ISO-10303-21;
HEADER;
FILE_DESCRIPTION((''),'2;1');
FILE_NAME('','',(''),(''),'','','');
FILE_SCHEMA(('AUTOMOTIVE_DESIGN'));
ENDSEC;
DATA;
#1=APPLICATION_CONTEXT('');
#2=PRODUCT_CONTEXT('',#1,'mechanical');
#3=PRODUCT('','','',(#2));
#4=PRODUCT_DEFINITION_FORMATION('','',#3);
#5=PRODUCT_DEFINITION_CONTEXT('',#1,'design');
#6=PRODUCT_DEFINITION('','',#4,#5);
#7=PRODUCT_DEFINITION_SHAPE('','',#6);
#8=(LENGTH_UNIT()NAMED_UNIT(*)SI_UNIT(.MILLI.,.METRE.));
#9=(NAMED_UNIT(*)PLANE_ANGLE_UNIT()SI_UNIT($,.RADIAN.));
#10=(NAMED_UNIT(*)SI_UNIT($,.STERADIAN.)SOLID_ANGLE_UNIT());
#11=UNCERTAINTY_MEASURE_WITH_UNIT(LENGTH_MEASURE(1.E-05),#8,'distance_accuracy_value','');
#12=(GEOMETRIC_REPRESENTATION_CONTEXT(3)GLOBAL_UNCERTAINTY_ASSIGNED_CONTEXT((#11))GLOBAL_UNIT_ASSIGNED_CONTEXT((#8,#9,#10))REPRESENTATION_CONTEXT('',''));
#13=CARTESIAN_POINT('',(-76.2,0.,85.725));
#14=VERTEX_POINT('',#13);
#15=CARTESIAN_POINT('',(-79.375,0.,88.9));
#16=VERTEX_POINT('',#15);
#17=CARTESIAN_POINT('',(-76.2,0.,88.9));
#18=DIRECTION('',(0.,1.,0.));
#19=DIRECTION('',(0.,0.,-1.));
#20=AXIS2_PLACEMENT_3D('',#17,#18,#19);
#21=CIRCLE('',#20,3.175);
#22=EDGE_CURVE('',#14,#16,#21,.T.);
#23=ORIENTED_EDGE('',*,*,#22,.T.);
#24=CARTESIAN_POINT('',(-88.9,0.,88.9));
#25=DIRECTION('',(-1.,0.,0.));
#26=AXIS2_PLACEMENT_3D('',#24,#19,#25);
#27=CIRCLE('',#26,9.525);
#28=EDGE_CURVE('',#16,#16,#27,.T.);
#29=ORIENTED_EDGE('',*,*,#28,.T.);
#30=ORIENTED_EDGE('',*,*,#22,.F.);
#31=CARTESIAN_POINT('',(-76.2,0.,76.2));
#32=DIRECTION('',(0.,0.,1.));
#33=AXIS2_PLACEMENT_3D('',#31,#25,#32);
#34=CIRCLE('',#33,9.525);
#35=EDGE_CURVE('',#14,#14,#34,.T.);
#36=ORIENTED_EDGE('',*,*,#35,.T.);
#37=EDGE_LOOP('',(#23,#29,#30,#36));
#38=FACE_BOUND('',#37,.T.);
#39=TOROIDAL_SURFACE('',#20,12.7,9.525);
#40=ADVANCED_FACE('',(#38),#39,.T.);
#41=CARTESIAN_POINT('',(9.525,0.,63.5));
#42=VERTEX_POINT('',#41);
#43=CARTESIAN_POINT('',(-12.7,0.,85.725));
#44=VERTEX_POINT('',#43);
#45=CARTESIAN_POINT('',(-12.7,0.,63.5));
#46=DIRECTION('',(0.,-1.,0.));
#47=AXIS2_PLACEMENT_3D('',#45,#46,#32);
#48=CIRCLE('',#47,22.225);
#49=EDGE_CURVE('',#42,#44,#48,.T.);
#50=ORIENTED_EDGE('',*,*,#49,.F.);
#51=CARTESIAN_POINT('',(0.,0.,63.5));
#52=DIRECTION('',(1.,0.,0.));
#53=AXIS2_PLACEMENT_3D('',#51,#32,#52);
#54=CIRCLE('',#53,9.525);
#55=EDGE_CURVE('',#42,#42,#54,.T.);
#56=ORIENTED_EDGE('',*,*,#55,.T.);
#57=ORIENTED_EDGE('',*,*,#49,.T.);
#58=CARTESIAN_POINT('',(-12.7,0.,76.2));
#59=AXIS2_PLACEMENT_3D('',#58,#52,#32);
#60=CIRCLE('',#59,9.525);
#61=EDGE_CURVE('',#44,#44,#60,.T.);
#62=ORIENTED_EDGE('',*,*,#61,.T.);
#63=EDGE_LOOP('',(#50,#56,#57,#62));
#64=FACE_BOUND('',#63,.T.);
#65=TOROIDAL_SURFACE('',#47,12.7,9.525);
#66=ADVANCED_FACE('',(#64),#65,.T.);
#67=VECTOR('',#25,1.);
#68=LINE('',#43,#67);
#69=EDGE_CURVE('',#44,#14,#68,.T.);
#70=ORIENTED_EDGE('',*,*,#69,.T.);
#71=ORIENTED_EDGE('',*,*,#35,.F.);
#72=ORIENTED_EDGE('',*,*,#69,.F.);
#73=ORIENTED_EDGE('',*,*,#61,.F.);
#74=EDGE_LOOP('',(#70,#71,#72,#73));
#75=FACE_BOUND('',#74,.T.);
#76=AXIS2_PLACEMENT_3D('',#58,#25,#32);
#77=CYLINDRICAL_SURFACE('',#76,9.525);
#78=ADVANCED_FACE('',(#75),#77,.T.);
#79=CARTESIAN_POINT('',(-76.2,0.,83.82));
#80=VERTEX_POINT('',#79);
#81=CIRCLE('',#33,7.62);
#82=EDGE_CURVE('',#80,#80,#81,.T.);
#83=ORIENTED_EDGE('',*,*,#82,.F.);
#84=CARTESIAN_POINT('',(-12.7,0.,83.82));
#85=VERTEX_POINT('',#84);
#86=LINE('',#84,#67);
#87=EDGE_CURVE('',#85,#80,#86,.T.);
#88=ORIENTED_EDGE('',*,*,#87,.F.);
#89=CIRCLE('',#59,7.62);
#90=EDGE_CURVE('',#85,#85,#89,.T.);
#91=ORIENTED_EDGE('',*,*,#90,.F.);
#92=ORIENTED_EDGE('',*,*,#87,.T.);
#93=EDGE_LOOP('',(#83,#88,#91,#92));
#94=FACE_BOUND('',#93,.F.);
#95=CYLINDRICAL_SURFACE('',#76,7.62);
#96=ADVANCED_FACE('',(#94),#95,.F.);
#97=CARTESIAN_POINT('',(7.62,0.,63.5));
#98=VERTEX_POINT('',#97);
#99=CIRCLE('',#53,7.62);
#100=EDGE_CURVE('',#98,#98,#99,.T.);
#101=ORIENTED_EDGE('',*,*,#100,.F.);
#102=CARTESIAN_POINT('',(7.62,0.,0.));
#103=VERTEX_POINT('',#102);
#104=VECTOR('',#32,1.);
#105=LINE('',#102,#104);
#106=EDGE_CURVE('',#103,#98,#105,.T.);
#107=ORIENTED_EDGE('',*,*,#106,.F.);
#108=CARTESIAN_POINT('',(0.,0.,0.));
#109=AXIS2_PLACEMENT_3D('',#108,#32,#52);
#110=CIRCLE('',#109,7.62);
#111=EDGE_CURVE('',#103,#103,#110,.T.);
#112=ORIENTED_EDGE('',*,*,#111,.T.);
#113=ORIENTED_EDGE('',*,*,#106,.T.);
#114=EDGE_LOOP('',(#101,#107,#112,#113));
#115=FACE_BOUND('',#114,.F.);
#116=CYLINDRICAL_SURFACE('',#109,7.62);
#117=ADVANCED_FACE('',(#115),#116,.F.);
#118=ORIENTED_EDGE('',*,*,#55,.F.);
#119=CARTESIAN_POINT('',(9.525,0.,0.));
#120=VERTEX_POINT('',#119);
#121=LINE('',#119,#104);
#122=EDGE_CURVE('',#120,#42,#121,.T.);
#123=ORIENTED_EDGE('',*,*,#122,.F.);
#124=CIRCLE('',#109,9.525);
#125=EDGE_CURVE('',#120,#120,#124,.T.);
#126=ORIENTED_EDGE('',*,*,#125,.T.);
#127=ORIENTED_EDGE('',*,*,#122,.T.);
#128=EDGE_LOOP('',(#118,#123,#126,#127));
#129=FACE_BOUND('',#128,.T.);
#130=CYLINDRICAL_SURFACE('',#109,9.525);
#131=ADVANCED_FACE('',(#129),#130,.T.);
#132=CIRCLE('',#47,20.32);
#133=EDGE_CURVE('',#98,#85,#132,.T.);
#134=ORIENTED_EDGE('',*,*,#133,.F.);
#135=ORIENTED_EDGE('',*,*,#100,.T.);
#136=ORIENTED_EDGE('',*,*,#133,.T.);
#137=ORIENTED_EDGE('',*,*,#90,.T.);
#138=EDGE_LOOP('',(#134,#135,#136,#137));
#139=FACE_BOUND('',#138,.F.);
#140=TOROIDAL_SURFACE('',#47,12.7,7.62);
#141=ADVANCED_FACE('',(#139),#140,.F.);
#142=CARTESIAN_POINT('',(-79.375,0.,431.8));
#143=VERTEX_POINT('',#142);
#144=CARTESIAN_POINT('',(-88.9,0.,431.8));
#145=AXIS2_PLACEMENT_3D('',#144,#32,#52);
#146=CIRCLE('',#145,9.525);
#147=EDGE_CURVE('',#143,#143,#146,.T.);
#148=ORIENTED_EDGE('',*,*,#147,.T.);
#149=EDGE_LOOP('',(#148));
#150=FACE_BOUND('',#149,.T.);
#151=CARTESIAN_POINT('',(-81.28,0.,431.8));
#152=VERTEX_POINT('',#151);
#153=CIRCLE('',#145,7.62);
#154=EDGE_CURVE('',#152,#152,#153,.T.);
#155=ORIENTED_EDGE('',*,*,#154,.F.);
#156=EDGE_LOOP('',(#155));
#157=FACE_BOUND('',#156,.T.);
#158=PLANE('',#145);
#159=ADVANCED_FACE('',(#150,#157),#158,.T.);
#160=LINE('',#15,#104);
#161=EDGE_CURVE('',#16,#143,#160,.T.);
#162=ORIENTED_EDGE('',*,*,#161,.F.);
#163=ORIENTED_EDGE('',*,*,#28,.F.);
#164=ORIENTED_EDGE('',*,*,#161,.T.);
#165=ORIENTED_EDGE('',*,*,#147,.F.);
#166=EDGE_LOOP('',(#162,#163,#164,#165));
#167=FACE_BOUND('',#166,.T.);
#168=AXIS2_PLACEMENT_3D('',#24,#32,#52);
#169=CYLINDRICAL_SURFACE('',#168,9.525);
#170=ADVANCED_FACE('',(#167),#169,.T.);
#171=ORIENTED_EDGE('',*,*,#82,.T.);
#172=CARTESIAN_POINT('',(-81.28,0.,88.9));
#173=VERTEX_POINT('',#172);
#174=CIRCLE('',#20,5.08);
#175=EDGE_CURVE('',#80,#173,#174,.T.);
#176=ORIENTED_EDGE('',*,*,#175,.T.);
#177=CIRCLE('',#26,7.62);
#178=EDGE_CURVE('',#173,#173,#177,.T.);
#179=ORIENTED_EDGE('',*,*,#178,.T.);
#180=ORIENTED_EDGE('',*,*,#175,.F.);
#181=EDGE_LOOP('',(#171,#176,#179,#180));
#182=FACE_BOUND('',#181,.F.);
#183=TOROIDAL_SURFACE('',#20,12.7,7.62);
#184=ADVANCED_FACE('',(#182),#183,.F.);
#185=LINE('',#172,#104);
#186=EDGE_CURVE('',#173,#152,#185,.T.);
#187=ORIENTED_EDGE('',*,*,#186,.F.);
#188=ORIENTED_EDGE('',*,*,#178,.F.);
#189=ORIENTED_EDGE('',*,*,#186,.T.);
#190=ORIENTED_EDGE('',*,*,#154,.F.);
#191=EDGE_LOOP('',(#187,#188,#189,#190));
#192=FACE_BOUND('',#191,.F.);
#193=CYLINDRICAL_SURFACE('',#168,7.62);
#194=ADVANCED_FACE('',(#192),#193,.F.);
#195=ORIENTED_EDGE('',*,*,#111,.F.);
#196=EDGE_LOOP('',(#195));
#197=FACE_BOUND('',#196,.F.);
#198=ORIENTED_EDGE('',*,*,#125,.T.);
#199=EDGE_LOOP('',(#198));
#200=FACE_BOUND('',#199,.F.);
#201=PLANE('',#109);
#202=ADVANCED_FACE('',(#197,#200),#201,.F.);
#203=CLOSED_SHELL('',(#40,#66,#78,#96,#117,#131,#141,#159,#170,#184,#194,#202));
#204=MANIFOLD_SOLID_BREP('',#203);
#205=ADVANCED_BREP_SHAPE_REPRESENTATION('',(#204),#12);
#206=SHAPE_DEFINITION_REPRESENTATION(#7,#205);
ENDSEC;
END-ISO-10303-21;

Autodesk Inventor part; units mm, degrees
ref_plane "YZ Plane" through (0, 0, 0) normal (1, 0, 0) x (0, 1, 0)
ref_plane "XZ Plane" through (0, 0, 0) normal (0, 1, 0) x (-1, 0, 0)
sketch "Sketch1" plane through (0, 0, 0) normal (0, 1, 0) x (-1, 0, 0)
  line L0 (0, 0) -> (0, 63.5)
  line L1 (12.7, 76.2) -> (76.2, 76.2)
  line L2 (88.9, 88.9) -> (88.9, 431.8)
  arc A0 (76.2, 76.2) -> (88.9, 88.9) centre (76.2, 88.9) ccw
  arc A1 (12.7, 76.2) -> (0, 63.5) centre (12.7, 63.5) ccw
  point P0 (0, 76.2)
  point P1 (88.9, 76.2)
  dimension "short" = 76.2
  dimension "right" = 88.9
  dimension "long" = 355.6
  dimension "turn_radius" = 12.7
  dimension "d10" = 12.7
sketch "Sketch2" plane through (0, 0, 0) normal (0, 0, 1) x (1, 0, 0)
  circle A0 centre (0, 0) radius 9.525
  circle A1 centre (0, 0) radius 7.62
  dimension "outsideDiamter" = 19.05
  dimension "insideDiamter" = 15.24
sweep "Sweep2" add profiles "Sketch2" path "Sketch1"
ref_plane "Work Plane1" through (0, 0, 203.2) normal (0, 0, 1) x (1, 0, 0)
properties part number "ABS Arm" material "Aluminum 6061"
